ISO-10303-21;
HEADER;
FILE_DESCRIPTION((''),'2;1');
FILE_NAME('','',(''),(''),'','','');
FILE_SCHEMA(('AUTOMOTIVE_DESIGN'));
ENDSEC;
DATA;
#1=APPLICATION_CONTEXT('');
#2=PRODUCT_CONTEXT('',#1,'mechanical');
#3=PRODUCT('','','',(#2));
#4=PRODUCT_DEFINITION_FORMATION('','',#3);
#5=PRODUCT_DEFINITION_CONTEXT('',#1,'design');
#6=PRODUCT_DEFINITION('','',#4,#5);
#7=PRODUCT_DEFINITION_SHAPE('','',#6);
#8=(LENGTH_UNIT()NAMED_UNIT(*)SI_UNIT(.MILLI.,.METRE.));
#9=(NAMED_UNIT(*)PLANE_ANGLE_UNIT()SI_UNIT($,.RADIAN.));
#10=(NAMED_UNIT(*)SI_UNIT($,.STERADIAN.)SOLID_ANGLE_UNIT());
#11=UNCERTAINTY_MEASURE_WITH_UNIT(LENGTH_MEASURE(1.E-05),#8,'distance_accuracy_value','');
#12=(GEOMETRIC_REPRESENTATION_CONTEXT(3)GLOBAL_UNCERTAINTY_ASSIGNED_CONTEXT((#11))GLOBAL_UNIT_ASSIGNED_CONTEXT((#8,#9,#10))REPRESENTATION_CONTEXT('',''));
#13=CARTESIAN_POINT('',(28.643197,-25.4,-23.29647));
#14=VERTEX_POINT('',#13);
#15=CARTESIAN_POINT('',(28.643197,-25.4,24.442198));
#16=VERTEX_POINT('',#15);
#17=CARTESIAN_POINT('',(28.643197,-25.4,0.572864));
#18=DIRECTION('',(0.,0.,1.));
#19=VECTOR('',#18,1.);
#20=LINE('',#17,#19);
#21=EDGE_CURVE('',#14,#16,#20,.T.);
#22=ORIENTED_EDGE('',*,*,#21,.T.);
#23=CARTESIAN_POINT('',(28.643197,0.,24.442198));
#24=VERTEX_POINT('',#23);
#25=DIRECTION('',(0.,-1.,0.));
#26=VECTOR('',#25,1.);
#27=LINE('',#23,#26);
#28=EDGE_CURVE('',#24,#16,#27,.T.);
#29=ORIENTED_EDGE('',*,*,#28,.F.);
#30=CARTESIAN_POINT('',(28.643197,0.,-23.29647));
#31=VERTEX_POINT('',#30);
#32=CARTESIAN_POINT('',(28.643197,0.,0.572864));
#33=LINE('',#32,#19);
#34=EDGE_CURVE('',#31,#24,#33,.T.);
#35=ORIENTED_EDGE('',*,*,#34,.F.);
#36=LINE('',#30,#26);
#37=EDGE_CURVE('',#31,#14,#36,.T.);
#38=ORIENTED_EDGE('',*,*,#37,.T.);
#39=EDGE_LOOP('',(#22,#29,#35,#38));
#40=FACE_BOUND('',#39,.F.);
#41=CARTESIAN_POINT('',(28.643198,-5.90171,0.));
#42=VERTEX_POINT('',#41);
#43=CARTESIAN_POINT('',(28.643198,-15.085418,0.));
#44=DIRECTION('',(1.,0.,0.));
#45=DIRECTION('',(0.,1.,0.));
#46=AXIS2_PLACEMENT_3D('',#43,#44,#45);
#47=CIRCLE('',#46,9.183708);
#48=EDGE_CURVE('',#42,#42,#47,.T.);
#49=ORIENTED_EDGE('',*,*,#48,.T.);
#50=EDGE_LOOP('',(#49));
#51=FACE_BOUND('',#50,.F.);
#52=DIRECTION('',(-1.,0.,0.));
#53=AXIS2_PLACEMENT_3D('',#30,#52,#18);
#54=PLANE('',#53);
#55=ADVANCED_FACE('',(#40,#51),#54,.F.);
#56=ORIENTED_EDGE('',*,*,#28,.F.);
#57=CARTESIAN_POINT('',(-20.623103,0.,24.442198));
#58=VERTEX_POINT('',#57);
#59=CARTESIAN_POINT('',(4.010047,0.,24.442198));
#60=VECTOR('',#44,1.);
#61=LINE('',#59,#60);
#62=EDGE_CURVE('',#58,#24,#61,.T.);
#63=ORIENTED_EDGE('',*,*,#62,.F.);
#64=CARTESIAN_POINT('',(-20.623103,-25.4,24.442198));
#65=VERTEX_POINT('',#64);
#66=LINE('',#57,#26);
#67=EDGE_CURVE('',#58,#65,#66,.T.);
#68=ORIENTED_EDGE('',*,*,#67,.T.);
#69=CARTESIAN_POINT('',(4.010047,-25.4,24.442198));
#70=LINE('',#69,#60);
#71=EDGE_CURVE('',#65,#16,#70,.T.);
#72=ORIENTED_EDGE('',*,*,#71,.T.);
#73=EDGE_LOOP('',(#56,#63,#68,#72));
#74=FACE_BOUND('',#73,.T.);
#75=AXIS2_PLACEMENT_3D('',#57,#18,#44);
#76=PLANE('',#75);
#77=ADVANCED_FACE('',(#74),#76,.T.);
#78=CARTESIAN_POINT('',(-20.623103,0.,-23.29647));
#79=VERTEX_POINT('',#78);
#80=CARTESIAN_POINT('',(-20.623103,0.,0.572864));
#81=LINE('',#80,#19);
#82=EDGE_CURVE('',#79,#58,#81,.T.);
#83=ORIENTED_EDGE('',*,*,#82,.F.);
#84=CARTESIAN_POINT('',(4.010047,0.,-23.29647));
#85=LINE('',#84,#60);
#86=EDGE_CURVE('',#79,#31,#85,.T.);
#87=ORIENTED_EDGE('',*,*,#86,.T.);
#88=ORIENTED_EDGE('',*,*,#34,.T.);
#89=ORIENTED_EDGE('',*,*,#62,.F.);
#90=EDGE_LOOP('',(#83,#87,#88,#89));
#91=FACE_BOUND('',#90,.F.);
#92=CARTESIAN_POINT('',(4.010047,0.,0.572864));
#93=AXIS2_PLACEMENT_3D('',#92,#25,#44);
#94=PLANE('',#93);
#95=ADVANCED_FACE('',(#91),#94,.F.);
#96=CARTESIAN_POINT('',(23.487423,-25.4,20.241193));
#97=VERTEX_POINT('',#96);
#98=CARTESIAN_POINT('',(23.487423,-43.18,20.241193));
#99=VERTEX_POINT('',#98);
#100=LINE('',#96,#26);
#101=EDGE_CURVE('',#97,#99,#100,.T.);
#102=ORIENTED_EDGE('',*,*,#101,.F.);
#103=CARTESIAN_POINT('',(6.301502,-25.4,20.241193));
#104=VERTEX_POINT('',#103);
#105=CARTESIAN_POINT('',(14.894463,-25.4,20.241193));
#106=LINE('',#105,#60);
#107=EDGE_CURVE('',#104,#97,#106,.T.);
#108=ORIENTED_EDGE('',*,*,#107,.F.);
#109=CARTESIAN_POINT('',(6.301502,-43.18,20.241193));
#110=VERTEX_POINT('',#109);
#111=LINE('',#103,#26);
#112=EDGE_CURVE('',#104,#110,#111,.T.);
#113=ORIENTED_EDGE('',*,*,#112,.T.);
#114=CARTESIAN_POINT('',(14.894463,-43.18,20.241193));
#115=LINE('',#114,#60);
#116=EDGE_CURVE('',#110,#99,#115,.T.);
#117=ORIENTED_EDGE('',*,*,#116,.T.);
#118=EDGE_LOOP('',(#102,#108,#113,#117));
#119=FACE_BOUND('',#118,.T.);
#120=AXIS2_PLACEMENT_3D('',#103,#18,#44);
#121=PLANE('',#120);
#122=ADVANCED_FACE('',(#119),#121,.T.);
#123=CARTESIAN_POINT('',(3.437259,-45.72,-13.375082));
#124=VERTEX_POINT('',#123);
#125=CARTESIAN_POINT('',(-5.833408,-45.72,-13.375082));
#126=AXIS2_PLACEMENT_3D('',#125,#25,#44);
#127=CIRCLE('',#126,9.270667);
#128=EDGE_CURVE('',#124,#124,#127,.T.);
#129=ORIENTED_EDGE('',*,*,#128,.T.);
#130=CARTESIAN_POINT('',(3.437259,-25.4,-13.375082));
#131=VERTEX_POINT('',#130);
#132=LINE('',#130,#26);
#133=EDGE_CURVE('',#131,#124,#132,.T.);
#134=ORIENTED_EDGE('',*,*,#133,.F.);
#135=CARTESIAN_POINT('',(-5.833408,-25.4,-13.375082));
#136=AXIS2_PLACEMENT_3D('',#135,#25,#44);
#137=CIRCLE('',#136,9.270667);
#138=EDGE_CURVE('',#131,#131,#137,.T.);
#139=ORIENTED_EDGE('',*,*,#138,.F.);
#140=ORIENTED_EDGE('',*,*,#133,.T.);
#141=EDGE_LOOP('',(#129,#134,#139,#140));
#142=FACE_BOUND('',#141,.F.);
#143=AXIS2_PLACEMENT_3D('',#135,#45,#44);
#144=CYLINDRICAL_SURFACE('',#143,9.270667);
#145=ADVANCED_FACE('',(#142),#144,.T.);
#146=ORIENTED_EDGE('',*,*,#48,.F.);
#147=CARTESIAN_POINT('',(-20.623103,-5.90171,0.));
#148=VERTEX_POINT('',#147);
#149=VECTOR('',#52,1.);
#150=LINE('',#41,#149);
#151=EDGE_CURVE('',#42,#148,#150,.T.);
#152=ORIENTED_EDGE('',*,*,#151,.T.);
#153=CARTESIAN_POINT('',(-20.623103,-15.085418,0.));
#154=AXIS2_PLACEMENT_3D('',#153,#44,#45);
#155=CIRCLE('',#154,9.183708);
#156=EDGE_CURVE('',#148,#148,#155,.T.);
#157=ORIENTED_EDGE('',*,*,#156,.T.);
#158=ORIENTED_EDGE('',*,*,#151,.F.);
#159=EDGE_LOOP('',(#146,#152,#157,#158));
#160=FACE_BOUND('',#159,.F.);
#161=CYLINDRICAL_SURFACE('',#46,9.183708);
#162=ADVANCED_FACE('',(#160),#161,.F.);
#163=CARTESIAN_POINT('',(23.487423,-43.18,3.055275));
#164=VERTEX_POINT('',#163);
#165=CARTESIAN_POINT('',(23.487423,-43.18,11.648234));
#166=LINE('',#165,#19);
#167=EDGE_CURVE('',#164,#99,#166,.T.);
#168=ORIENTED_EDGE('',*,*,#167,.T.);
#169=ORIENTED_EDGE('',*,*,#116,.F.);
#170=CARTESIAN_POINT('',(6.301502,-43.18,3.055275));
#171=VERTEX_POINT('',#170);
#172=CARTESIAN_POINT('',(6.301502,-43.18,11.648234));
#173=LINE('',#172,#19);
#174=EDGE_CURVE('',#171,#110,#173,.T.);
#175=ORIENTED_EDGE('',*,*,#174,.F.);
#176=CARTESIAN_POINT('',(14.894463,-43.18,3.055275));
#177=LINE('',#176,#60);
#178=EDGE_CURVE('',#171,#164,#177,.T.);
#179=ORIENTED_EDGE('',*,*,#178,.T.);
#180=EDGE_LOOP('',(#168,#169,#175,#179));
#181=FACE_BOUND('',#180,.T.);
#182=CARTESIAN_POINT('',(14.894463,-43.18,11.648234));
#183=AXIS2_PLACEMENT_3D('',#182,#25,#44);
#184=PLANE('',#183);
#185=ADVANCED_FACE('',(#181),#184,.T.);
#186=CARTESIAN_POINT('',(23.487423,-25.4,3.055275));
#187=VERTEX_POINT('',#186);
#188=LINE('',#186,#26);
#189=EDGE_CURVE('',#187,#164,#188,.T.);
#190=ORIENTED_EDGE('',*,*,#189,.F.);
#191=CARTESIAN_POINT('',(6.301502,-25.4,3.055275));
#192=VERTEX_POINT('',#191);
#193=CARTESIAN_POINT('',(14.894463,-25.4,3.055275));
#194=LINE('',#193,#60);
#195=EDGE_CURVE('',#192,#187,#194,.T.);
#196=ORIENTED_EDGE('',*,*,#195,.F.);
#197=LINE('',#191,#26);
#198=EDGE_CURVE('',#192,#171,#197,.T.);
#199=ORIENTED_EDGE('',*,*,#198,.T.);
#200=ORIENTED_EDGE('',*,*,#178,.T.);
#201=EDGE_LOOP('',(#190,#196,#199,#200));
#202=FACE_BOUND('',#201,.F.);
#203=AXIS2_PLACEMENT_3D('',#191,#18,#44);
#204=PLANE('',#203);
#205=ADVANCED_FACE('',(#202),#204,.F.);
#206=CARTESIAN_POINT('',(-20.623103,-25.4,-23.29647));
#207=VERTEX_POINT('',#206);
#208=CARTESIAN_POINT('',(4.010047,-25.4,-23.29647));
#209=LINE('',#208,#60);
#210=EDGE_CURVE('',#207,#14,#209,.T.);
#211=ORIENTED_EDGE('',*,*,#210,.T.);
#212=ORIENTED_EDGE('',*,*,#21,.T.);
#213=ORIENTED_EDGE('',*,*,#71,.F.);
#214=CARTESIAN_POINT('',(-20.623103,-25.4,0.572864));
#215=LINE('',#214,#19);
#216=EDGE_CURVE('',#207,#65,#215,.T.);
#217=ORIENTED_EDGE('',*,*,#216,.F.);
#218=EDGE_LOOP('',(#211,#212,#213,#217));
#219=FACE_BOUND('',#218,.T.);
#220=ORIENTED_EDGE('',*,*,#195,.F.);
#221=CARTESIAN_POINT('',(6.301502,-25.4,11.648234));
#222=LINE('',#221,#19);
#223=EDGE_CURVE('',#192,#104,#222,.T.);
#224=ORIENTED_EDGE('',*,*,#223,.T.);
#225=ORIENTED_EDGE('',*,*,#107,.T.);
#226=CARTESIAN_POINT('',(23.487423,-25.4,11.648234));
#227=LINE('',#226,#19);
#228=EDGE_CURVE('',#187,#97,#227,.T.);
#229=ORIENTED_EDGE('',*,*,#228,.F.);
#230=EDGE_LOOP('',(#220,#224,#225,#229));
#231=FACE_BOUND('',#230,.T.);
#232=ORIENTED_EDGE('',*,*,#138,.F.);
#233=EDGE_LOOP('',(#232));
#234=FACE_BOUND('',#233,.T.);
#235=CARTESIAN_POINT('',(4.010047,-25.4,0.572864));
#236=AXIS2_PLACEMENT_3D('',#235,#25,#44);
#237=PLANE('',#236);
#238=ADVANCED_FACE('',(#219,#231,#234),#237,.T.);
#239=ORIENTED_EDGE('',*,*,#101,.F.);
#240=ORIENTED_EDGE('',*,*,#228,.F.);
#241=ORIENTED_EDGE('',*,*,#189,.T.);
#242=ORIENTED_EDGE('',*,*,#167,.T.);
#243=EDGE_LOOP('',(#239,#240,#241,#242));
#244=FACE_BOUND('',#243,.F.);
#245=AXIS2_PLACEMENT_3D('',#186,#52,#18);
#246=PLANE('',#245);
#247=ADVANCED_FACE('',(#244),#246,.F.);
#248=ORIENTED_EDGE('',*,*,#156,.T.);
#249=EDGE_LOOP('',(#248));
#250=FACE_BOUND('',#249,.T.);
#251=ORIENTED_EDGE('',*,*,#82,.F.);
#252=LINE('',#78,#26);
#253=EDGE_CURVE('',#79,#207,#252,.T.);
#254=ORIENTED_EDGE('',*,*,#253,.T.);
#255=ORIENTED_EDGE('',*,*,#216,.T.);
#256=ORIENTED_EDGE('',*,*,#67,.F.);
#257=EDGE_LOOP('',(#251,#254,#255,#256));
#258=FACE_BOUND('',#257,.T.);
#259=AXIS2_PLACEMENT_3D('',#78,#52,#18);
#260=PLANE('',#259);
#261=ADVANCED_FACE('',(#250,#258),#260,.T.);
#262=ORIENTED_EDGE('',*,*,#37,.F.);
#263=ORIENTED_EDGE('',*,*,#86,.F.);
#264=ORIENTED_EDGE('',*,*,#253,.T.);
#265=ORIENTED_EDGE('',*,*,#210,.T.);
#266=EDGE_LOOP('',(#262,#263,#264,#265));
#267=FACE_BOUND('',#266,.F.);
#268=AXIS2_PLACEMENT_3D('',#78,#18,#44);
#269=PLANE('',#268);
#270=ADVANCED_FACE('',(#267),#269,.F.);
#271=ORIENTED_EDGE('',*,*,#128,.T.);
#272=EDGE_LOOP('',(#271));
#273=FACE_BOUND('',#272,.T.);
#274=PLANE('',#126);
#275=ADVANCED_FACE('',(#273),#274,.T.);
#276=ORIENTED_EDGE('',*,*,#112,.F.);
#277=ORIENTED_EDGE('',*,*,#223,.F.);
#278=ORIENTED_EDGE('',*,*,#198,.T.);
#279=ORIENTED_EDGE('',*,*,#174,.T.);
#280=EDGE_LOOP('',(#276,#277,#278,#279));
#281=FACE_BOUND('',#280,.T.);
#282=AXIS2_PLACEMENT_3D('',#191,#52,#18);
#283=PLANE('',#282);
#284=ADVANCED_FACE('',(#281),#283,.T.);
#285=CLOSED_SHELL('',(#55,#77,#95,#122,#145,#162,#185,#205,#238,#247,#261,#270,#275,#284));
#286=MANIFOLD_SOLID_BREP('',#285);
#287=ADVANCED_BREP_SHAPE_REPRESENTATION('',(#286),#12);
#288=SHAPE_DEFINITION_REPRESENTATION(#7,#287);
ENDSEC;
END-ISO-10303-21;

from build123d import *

# Parameters (mm, degrees)
F0_W     = 49.266301
F0_H     = 47.738668
F1_DEPTH = 25.4
F2_W     = 17.185921
F2_H     = 17.185918
F3_DEPTH = 17.78
F4_R     = 9.270667
F5_DEPTH = 20.32
F6_R     = 9.183708
F7_DEPTH = 50.8


with BuildPart() as f1:
    # F0 (on Front) → F1 (new body)
    with BuildSketch(Plane.XZ):
        with Locations((4.010047, 0.572864)):
            Rectangle(F0_W, F0_H)
    extrude(amount=F1_DEPTH)

    # F2 (on face) → F3 (join)
    with BuildSketch(Plane.XZ.offset(25.4)):
        with Locations((14.894463, 11.648234)):
            Rectangle(F2_W, F2_H)
    extrude(amount=F3_DEPTH)

    # F4 (on face) → F5 (join)
    with BuildSketch(Plane.XZ.offset(25.4)):
        with Locations((-5.833408, -13.375082)):
            Circle(F4_R)
    extrude(amount=F5_DEPTH)

    # F6 (on face) → F7 (cut)
    with BuildSketch(Plane.YZ.offset(28.643198)):
        with Locations((-15.085418, 0)):
            Circle(F6_R)
    extrude(amount=-F7_DEPTH, mode=Mode.SUBTRACT)


solid = f1.part
